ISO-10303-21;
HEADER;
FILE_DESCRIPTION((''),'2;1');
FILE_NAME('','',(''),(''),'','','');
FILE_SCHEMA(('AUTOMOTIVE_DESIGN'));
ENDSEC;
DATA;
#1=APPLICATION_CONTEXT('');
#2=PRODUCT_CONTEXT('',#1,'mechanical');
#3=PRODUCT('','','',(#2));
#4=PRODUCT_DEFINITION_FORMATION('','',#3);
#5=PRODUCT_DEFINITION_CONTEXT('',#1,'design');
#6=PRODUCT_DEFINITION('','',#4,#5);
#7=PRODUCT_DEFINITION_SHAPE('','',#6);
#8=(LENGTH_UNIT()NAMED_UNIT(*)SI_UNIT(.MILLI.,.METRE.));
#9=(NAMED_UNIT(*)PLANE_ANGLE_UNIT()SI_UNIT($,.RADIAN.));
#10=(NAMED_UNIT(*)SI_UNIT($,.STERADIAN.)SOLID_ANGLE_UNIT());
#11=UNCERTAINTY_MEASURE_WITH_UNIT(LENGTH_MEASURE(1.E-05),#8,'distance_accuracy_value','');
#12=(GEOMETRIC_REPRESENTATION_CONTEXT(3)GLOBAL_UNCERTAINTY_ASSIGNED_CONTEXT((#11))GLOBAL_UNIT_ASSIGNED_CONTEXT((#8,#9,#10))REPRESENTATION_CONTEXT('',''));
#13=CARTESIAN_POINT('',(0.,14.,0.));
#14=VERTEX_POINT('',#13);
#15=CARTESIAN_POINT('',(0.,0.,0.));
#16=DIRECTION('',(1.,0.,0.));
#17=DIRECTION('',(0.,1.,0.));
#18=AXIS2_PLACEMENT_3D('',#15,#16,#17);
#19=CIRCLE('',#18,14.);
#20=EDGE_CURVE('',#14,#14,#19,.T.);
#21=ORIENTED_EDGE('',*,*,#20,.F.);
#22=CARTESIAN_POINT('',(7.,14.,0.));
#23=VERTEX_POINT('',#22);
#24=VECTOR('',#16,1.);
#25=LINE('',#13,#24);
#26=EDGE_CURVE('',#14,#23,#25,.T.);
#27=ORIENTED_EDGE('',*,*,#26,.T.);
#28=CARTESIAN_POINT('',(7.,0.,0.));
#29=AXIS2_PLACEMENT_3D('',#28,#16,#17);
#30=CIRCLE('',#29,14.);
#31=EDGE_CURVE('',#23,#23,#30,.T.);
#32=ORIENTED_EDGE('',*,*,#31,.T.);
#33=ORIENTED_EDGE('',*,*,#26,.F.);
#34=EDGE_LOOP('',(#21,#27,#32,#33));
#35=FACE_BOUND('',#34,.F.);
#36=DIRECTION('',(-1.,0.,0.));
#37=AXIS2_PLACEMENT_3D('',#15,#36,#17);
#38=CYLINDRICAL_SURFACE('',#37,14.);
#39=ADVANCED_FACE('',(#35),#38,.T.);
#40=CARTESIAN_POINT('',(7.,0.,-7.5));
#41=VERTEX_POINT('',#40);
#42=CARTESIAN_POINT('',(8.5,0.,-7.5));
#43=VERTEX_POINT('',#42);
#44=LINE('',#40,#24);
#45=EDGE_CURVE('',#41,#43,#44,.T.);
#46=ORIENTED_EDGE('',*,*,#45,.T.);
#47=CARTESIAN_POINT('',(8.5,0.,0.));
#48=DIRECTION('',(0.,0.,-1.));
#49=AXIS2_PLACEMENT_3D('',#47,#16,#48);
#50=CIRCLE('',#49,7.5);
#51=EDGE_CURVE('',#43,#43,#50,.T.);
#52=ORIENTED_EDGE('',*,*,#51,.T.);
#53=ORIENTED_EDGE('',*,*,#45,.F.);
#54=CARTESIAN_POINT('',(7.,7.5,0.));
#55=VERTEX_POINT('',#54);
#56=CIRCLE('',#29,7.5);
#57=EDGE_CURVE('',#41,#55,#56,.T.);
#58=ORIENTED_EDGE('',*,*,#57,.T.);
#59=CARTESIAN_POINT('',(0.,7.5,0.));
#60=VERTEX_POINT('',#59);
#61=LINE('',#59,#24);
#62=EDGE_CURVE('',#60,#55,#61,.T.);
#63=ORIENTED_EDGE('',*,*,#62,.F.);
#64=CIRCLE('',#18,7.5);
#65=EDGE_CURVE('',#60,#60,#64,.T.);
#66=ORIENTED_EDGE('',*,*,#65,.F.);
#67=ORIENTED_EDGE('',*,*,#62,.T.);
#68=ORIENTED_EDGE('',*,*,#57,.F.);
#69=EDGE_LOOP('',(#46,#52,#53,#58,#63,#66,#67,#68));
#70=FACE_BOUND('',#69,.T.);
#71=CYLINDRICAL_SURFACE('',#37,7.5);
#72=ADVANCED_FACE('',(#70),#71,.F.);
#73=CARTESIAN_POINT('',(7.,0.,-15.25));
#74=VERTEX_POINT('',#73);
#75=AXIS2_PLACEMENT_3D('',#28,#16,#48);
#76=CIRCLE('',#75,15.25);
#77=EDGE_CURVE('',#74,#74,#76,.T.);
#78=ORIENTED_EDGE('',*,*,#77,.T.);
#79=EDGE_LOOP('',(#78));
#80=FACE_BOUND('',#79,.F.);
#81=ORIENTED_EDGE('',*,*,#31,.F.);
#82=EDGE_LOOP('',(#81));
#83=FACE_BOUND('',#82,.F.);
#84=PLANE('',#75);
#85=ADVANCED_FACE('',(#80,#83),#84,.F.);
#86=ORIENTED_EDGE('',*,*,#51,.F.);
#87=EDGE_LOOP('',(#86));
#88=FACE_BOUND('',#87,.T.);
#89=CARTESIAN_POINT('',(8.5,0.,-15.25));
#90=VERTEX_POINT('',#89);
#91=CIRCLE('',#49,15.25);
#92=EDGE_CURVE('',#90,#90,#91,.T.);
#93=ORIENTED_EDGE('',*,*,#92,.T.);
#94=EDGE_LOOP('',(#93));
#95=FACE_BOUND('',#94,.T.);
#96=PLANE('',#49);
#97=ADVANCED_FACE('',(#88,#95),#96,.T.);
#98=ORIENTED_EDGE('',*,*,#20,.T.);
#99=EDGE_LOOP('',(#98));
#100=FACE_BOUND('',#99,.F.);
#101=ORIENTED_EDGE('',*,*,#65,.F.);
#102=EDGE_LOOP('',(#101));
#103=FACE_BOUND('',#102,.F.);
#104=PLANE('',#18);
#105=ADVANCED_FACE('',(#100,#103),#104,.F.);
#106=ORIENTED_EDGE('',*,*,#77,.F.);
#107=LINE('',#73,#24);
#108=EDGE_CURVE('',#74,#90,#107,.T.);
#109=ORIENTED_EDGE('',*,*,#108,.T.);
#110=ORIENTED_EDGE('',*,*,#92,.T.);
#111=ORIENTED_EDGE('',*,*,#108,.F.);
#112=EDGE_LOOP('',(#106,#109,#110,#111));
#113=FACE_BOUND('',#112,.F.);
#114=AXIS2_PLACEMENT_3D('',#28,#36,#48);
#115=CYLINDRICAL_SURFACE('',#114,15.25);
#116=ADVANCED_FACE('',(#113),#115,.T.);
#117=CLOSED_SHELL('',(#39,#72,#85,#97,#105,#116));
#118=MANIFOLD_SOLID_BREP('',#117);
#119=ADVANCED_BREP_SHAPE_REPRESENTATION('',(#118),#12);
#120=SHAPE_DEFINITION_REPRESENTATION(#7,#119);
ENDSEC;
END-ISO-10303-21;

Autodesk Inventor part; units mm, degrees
ref_plane "YZ Plane" through (0, 0, 0) normal (1, 0, 0) x (0, 1, 0)
ref_plane "XZ Plane" through (0, 0, 0) normal (0, 1, 0) x (-1, 0, 0)
ref_plane "XY Plane" through (0, 0, 0) normal (0, 0, 1) x (1, 0, 0)
sketch "Sketch1" plane through (0, 0, 0) normal (1, 0, 0) x (0, 1, 0)
  circle A0 centre (0, 0) radius 7.5
  circle A1 centre (0, 0) radius 14
  dimension "d0" = 15
  dimension "d1" = 28
extrude "Extrusion1" add sketch "Sketch1" along normal blind 7
sketch "Sketch2" plane through (7, 0, 0) normal (1, 0, 0) x (0, 0, -1)
  circle A0 centre (0, 0) radius 15.25
  circle A1 centre (0, 0) radius 7.5
  dimension "d4" = 30.5
  dimension "d5" = 15
extrude "Extrusion2" add sketch "Sketch2" along normal blind 1.5
properties part number "F6902zz" material "Steel, Alloy"
